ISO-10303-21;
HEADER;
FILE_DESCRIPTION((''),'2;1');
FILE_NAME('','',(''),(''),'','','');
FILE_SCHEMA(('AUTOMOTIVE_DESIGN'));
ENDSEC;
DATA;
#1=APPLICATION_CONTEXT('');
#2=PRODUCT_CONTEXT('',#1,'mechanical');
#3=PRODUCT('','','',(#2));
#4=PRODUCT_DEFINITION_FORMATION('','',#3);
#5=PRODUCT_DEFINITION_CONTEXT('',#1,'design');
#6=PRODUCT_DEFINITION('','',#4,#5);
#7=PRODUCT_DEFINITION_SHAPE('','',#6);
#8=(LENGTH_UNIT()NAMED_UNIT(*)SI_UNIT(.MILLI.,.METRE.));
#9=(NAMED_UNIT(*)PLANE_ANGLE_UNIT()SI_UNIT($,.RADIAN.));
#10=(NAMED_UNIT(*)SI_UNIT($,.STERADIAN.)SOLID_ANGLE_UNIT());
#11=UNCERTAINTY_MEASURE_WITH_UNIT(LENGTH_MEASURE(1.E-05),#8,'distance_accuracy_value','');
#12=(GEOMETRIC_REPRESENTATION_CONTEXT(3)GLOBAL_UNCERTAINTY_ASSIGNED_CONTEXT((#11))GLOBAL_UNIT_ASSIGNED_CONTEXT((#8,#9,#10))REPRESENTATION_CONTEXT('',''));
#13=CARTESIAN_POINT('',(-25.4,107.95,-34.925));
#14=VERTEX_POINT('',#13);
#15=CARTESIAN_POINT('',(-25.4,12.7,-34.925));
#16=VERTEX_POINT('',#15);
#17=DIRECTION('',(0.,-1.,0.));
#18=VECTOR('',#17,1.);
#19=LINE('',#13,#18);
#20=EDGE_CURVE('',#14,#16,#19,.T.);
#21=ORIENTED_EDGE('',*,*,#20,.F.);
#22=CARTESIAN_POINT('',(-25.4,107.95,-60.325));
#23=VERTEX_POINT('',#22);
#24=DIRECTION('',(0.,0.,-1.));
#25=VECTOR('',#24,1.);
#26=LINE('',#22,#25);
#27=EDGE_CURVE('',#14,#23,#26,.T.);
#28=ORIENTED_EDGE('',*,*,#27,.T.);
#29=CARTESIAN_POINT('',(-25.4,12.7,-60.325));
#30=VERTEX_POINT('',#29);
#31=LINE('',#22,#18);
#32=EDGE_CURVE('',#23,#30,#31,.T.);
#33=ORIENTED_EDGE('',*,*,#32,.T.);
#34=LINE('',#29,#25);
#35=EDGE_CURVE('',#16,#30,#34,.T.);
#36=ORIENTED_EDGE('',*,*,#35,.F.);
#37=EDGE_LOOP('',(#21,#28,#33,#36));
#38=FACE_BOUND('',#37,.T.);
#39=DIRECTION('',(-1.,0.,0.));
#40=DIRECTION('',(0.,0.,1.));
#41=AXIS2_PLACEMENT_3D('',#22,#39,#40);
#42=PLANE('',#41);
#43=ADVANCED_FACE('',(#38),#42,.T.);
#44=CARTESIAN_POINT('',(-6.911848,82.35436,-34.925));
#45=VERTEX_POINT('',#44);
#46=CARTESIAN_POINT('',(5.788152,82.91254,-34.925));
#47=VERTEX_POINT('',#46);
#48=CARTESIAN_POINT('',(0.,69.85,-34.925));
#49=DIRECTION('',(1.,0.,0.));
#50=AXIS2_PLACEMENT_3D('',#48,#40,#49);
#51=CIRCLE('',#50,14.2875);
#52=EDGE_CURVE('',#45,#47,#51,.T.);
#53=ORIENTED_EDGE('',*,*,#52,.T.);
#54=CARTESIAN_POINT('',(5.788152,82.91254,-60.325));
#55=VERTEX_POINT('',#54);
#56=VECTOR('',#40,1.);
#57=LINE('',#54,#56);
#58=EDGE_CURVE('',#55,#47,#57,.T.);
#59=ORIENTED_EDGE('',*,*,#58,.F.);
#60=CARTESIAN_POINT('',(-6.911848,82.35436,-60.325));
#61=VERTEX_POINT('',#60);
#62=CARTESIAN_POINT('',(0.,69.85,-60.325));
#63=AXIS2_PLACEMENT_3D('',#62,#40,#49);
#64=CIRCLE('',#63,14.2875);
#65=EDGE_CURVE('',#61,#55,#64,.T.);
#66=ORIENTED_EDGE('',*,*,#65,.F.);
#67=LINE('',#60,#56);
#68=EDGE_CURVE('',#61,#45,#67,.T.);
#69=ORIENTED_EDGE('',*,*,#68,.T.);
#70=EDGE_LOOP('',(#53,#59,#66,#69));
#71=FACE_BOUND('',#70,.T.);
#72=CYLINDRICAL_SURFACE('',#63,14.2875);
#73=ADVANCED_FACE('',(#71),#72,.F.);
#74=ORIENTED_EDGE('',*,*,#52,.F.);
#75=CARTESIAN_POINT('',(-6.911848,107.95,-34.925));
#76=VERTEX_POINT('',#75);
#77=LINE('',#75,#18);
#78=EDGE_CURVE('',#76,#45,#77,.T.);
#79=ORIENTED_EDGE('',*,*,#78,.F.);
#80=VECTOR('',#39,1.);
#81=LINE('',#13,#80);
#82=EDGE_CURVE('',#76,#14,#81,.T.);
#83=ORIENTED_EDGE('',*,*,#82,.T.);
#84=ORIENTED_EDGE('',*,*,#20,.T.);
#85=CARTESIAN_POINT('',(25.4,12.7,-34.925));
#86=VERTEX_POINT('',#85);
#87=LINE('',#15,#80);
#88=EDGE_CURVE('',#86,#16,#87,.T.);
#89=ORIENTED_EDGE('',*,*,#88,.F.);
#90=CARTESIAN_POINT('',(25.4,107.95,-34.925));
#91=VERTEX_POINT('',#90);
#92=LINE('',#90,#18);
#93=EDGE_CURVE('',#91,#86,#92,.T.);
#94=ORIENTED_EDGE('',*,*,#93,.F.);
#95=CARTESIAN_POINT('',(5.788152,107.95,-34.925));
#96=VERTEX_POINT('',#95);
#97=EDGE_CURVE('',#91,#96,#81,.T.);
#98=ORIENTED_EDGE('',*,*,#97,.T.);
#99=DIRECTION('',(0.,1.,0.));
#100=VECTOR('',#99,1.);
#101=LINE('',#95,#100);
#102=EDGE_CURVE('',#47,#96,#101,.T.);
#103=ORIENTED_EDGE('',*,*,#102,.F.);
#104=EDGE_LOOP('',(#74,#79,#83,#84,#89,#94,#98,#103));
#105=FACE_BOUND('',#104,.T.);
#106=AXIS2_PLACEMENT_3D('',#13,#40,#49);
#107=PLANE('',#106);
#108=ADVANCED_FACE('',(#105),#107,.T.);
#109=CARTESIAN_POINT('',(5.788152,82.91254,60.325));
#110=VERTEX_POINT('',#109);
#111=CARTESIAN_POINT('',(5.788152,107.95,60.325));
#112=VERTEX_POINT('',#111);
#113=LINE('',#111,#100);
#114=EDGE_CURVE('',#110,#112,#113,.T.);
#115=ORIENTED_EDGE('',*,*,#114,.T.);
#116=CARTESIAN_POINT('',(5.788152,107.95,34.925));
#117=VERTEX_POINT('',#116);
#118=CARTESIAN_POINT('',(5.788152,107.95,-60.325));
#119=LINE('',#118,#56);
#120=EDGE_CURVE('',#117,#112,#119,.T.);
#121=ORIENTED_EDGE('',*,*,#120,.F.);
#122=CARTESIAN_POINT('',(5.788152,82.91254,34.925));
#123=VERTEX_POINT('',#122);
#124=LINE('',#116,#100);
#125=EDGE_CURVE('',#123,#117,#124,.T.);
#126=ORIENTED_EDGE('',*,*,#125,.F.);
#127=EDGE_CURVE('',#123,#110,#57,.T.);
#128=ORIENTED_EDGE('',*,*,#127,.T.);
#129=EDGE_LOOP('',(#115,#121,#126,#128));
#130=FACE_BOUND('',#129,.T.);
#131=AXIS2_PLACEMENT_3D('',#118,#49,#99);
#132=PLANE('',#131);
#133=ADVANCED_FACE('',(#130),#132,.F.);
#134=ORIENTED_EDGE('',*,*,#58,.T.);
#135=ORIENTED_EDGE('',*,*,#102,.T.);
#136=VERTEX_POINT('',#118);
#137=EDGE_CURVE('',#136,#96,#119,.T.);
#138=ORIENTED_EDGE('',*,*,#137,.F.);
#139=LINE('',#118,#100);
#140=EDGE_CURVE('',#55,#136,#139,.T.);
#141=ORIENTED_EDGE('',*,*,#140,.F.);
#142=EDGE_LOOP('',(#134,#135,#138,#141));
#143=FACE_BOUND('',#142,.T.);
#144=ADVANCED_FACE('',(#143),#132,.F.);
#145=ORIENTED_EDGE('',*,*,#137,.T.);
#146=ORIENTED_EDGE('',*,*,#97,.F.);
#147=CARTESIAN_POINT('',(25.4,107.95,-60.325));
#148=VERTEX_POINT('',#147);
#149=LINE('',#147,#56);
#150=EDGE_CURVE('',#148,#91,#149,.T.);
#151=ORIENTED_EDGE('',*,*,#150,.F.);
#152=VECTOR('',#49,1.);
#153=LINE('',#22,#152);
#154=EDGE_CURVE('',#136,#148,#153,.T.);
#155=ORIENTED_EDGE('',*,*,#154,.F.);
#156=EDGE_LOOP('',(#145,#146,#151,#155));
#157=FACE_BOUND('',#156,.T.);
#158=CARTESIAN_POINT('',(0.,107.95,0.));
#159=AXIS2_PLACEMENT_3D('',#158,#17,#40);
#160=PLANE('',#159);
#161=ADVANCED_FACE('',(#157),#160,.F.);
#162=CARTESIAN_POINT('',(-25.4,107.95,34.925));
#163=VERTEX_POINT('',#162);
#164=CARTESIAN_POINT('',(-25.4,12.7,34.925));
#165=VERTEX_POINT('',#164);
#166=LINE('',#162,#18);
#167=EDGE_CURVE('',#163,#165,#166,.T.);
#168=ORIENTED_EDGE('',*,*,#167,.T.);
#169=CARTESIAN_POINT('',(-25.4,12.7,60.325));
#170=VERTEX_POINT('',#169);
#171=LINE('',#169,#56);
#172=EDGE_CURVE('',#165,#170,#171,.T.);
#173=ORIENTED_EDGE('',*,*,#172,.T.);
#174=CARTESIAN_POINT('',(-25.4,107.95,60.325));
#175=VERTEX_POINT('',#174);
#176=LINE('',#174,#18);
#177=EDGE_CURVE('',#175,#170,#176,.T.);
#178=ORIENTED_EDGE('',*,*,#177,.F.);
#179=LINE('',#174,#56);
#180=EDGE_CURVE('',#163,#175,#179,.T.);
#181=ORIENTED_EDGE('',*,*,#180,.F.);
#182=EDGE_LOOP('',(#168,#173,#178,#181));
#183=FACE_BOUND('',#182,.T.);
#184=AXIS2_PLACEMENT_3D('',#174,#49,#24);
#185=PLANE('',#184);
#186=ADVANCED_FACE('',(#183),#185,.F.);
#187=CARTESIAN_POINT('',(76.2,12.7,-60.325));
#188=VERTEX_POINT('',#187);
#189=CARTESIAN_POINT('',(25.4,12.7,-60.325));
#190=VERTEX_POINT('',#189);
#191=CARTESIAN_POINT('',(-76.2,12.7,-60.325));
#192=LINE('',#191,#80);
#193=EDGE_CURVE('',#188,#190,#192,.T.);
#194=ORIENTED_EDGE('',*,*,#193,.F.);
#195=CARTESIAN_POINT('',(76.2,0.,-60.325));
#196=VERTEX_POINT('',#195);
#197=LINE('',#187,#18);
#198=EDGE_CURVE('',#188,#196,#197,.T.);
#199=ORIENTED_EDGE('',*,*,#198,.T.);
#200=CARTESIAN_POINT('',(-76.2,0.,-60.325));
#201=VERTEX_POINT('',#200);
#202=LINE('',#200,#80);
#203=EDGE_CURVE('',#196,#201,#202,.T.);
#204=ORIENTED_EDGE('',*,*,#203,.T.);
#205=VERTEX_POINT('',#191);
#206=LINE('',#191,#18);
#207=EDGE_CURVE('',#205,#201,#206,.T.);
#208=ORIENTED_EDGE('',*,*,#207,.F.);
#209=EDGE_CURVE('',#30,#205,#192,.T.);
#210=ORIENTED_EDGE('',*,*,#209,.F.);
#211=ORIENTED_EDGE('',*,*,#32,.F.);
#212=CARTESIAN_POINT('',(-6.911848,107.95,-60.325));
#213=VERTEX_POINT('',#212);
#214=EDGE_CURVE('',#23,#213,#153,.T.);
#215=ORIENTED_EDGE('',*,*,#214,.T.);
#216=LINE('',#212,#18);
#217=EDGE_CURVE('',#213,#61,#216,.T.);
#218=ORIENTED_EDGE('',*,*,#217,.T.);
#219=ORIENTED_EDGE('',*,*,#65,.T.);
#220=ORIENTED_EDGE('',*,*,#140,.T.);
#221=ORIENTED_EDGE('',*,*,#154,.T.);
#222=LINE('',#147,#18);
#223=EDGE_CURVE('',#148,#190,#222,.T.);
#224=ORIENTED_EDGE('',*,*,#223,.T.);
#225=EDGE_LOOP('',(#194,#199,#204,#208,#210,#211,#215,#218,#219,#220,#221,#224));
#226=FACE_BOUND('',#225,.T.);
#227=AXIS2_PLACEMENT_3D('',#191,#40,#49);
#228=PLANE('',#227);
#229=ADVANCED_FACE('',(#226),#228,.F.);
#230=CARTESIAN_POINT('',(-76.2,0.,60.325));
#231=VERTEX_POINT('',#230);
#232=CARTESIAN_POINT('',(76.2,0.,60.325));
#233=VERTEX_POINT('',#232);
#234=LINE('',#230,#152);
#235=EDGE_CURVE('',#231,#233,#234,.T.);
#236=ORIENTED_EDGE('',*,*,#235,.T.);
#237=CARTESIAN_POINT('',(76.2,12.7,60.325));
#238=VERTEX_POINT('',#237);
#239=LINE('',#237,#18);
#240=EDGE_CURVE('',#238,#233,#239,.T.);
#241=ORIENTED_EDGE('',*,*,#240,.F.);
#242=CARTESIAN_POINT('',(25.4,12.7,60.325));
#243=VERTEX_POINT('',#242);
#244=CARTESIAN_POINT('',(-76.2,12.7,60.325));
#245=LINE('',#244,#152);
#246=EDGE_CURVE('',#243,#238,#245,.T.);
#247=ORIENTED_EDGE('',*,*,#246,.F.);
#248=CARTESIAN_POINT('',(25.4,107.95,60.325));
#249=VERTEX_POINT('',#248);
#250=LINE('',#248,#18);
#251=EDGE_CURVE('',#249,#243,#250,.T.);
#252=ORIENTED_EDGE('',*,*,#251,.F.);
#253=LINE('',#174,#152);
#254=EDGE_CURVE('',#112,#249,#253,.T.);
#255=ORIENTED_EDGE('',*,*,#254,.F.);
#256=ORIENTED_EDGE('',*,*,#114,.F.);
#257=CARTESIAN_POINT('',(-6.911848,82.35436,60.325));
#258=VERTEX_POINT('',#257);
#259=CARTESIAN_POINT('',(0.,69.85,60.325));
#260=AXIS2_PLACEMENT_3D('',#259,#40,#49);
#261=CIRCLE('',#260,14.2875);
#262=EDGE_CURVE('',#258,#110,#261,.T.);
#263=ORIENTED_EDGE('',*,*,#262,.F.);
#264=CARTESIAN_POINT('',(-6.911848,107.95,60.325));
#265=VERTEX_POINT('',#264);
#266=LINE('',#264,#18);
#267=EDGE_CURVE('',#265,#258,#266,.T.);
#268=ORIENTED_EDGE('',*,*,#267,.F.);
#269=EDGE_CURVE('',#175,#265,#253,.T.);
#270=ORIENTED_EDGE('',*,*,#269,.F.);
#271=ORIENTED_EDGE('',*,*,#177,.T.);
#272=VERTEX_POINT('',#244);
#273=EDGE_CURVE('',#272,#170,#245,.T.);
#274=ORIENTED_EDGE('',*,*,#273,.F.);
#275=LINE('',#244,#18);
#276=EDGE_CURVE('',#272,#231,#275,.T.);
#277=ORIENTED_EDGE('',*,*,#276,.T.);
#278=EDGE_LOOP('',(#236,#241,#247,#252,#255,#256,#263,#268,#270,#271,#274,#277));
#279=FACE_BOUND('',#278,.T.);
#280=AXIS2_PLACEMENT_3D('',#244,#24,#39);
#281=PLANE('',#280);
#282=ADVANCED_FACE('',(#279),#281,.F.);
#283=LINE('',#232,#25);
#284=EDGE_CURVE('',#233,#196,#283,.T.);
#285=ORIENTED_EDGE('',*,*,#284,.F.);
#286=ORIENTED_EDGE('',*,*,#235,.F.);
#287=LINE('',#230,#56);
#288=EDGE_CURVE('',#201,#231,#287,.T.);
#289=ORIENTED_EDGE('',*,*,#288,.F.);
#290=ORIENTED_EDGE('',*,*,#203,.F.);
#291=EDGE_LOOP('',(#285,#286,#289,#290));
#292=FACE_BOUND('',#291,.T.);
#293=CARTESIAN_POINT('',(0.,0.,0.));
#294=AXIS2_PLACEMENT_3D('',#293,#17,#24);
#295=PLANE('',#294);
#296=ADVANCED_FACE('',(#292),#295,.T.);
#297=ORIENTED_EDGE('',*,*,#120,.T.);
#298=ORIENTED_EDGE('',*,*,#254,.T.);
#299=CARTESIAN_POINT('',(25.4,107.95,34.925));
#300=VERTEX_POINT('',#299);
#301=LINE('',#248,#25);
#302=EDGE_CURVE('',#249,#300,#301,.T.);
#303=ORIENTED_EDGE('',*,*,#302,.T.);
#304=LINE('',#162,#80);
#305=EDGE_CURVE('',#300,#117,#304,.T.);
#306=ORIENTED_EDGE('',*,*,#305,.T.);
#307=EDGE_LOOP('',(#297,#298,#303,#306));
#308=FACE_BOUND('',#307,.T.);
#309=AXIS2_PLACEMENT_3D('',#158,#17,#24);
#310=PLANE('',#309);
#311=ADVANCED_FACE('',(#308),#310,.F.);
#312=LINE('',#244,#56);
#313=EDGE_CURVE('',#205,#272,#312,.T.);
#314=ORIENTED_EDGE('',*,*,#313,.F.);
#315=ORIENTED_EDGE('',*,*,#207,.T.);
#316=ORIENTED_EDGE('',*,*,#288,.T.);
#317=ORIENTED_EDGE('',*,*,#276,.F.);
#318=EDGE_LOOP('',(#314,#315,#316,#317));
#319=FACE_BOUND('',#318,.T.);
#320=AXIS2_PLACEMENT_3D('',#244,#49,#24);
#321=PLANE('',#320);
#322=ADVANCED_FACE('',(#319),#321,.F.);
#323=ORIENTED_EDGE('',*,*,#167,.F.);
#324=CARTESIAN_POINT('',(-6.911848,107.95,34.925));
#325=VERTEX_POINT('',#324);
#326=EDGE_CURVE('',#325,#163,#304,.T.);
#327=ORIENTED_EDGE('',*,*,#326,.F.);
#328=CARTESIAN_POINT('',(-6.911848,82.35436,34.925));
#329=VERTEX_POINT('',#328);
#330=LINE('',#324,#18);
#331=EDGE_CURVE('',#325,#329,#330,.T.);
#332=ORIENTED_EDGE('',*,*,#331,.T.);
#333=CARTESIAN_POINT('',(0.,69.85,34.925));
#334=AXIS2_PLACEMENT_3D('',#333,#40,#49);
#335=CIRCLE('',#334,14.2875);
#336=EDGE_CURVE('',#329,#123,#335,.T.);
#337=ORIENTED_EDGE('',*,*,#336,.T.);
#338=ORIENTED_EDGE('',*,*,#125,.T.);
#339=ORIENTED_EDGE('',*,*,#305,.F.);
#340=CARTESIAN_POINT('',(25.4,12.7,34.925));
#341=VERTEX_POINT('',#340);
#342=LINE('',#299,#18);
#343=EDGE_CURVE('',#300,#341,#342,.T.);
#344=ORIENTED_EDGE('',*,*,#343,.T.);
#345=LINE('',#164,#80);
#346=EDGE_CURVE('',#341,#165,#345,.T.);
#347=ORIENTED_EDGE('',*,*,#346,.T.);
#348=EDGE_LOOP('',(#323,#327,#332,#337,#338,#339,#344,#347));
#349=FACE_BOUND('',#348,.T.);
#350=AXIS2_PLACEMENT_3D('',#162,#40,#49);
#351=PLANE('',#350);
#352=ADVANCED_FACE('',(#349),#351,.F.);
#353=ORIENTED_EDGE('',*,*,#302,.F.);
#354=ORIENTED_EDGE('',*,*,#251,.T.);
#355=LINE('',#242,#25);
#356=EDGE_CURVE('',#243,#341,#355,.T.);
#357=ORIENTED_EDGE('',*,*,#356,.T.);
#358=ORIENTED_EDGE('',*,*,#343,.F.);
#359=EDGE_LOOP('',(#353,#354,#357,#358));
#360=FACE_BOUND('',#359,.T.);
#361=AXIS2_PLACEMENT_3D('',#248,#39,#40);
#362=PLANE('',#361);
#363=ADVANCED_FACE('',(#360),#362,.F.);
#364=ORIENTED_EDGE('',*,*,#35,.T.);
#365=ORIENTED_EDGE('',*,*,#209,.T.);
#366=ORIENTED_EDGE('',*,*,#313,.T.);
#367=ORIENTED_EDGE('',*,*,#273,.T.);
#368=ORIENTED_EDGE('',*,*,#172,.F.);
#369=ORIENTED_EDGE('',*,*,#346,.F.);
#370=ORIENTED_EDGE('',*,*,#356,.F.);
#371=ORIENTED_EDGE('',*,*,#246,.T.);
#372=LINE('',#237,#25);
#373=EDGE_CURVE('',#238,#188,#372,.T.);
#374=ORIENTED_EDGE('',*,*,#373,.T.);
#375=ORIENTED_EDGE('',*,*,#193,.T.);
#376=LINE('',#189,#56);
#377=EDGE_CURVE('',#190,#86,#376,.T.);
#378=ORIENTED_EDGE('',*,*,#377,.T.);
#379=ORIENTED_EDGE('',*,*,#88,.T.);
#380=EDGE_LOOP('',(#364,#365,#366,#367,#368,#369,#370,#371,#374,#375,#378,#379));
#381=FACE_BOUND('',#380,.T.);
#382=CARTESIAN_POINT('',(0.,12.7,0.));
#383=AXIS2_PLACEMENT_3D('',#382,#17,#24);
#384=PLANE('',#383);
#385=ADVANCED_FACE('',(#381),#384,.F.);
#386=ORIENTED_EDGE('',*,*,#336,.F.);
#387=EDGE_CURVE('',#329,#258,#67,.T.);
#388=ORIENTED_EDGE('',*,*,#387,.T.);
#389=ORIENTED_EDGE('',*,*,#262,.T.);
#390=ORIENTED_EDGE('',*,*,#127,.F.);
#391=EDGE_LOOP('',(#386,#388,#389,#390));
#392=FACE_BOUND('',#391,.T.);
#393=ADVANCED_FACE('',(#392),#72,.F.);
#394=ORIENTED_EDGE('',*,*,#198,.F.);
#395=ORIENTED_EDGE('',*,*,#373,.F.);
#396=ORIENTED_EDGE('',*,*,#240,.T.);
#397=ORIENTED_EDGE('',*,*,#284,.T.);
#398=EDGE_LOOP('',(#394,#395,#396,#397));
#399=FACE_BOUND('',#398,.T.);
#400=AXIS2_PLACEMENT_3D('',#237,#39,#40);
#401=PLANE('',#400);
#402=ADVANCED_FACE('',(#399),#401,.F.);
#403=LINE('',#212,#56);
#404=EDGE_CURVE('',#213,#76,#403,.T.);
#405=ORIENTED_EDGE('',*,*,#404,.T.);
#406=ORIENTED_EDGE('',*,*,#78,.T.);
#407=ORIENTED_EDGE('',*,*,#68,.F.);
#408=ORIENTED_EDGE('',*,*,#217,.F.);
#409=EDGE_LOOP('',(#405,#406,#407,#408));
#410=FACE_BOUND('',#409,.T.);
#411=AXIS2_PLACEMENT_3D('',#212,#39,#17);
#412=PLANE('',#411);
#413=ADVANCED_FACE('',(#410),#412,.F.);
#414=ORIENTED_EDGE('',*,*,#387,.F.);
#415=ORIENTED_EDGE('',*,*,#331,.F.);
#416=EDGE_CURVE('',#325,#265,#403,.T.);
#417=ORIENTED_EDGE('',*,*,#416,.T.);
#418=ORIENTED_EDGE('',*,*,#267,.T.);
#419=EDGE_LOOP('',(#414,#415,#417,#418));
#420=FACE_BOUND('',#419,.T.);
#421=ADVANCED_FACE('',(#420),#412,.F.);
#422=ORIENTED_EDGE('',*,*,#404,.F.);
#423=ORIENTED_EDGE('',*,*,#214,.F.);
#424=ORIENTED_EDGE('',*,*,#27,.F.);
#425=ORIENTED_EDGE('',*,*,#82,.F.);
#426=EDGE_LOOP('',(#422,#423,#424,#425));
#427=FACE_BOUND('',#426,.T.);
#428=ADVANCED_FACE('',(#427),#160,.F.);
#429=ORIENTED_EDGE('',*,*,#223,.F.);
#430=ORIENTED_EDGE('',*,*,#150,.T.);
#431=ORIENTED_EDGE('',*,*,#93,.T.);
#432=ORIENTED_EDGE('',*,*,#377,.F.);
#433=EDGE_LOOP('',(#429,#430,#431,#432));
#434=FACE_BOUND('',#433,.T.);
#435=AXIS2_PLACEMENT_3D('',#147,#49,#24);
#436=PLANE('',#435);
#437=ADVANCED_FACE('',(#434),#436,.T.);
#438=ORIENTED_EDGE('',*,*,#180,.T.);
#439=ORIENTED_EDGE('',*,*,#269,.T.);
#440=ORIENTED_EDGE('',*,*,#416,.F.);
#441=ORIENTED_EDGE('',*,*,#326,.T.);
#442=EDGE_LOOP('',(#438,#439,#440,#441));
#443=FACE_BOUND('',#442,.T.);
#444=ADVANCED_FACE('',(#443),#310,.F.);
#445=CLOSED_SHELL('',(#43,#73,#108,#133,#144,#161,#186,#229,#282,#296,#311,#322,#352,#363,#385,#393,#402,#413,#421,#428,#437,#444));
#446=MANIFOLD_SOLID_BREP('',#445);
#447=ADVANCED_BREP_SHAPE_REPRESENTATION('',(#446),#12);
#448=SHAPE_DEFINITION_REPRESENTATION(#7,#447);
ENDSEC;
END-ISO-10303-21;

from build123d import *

# Parameters (mm, degrees)
SKETCH2_W           = 152.4
SKETCH2_H           = 120.65
BOSS_EXTRUDE2_DEPTH = 12.7
SKETCH4_W           = 50.8
SKETCH4_H           = 25.4
BOSS_EXTRUDE3_DEPTH = 95.25
CUT_EXTRUDE1_DEPTH  = 179.930335606


with BuildPart() as part:
    # Sketch2 → Boss-Extrude2 (new body)
    with BuildSketch(Plane(origin=(0, 0, 0), x_dir=(1, 0, 0), z_dir=(0, 1, 0))):
        Rectangle(SKETCH2_W, SKETCH2_H)
    extrude(amount=BOSS_EXTRUDE2_DEPTH)

    # Sketch4 → Boss-Extrude3 (add)
    with BuildSketch(Plane(origin=(0, 12.7, 0), x_dir=(1, 0, 0), z_dir=(0, 1, 0))):
        with Locations((0, -47.625)):
            Rectangle(SKETCH4_W, SKETCH4_H)
    boss_extrude3 = extrude(amount=BOSS_EXTRUDE3_DEPTH)

    # Mirror1: Boss-Extrude3 across plane
    add(boss_extrude3.mirror(Plane.XY))

    # Sketch6 → Cut-Extrude1 (cut, through all)
    with BuildSketch(Plane.XY.offset(60.325)):
        with BuildLine():
            Line((-6.911847883, 107.95), (5.788152117, 107.95))
            Line((5.788152117, 107.95), (5.788152117, 82.912540003))
            ThreePointArc((5.788152117, 82.912540003), (0.627347046, 55.576279674), (-6.911847883, 82.354359843))
            Line((-6.911847883, 82.354359843), (-6.911847883, 107.95))
        make_face()
    extrude(amount=-CUT_EXTRUDE1_DEPTH, mode=Mode.SUBTRACT)


solid = part.part
